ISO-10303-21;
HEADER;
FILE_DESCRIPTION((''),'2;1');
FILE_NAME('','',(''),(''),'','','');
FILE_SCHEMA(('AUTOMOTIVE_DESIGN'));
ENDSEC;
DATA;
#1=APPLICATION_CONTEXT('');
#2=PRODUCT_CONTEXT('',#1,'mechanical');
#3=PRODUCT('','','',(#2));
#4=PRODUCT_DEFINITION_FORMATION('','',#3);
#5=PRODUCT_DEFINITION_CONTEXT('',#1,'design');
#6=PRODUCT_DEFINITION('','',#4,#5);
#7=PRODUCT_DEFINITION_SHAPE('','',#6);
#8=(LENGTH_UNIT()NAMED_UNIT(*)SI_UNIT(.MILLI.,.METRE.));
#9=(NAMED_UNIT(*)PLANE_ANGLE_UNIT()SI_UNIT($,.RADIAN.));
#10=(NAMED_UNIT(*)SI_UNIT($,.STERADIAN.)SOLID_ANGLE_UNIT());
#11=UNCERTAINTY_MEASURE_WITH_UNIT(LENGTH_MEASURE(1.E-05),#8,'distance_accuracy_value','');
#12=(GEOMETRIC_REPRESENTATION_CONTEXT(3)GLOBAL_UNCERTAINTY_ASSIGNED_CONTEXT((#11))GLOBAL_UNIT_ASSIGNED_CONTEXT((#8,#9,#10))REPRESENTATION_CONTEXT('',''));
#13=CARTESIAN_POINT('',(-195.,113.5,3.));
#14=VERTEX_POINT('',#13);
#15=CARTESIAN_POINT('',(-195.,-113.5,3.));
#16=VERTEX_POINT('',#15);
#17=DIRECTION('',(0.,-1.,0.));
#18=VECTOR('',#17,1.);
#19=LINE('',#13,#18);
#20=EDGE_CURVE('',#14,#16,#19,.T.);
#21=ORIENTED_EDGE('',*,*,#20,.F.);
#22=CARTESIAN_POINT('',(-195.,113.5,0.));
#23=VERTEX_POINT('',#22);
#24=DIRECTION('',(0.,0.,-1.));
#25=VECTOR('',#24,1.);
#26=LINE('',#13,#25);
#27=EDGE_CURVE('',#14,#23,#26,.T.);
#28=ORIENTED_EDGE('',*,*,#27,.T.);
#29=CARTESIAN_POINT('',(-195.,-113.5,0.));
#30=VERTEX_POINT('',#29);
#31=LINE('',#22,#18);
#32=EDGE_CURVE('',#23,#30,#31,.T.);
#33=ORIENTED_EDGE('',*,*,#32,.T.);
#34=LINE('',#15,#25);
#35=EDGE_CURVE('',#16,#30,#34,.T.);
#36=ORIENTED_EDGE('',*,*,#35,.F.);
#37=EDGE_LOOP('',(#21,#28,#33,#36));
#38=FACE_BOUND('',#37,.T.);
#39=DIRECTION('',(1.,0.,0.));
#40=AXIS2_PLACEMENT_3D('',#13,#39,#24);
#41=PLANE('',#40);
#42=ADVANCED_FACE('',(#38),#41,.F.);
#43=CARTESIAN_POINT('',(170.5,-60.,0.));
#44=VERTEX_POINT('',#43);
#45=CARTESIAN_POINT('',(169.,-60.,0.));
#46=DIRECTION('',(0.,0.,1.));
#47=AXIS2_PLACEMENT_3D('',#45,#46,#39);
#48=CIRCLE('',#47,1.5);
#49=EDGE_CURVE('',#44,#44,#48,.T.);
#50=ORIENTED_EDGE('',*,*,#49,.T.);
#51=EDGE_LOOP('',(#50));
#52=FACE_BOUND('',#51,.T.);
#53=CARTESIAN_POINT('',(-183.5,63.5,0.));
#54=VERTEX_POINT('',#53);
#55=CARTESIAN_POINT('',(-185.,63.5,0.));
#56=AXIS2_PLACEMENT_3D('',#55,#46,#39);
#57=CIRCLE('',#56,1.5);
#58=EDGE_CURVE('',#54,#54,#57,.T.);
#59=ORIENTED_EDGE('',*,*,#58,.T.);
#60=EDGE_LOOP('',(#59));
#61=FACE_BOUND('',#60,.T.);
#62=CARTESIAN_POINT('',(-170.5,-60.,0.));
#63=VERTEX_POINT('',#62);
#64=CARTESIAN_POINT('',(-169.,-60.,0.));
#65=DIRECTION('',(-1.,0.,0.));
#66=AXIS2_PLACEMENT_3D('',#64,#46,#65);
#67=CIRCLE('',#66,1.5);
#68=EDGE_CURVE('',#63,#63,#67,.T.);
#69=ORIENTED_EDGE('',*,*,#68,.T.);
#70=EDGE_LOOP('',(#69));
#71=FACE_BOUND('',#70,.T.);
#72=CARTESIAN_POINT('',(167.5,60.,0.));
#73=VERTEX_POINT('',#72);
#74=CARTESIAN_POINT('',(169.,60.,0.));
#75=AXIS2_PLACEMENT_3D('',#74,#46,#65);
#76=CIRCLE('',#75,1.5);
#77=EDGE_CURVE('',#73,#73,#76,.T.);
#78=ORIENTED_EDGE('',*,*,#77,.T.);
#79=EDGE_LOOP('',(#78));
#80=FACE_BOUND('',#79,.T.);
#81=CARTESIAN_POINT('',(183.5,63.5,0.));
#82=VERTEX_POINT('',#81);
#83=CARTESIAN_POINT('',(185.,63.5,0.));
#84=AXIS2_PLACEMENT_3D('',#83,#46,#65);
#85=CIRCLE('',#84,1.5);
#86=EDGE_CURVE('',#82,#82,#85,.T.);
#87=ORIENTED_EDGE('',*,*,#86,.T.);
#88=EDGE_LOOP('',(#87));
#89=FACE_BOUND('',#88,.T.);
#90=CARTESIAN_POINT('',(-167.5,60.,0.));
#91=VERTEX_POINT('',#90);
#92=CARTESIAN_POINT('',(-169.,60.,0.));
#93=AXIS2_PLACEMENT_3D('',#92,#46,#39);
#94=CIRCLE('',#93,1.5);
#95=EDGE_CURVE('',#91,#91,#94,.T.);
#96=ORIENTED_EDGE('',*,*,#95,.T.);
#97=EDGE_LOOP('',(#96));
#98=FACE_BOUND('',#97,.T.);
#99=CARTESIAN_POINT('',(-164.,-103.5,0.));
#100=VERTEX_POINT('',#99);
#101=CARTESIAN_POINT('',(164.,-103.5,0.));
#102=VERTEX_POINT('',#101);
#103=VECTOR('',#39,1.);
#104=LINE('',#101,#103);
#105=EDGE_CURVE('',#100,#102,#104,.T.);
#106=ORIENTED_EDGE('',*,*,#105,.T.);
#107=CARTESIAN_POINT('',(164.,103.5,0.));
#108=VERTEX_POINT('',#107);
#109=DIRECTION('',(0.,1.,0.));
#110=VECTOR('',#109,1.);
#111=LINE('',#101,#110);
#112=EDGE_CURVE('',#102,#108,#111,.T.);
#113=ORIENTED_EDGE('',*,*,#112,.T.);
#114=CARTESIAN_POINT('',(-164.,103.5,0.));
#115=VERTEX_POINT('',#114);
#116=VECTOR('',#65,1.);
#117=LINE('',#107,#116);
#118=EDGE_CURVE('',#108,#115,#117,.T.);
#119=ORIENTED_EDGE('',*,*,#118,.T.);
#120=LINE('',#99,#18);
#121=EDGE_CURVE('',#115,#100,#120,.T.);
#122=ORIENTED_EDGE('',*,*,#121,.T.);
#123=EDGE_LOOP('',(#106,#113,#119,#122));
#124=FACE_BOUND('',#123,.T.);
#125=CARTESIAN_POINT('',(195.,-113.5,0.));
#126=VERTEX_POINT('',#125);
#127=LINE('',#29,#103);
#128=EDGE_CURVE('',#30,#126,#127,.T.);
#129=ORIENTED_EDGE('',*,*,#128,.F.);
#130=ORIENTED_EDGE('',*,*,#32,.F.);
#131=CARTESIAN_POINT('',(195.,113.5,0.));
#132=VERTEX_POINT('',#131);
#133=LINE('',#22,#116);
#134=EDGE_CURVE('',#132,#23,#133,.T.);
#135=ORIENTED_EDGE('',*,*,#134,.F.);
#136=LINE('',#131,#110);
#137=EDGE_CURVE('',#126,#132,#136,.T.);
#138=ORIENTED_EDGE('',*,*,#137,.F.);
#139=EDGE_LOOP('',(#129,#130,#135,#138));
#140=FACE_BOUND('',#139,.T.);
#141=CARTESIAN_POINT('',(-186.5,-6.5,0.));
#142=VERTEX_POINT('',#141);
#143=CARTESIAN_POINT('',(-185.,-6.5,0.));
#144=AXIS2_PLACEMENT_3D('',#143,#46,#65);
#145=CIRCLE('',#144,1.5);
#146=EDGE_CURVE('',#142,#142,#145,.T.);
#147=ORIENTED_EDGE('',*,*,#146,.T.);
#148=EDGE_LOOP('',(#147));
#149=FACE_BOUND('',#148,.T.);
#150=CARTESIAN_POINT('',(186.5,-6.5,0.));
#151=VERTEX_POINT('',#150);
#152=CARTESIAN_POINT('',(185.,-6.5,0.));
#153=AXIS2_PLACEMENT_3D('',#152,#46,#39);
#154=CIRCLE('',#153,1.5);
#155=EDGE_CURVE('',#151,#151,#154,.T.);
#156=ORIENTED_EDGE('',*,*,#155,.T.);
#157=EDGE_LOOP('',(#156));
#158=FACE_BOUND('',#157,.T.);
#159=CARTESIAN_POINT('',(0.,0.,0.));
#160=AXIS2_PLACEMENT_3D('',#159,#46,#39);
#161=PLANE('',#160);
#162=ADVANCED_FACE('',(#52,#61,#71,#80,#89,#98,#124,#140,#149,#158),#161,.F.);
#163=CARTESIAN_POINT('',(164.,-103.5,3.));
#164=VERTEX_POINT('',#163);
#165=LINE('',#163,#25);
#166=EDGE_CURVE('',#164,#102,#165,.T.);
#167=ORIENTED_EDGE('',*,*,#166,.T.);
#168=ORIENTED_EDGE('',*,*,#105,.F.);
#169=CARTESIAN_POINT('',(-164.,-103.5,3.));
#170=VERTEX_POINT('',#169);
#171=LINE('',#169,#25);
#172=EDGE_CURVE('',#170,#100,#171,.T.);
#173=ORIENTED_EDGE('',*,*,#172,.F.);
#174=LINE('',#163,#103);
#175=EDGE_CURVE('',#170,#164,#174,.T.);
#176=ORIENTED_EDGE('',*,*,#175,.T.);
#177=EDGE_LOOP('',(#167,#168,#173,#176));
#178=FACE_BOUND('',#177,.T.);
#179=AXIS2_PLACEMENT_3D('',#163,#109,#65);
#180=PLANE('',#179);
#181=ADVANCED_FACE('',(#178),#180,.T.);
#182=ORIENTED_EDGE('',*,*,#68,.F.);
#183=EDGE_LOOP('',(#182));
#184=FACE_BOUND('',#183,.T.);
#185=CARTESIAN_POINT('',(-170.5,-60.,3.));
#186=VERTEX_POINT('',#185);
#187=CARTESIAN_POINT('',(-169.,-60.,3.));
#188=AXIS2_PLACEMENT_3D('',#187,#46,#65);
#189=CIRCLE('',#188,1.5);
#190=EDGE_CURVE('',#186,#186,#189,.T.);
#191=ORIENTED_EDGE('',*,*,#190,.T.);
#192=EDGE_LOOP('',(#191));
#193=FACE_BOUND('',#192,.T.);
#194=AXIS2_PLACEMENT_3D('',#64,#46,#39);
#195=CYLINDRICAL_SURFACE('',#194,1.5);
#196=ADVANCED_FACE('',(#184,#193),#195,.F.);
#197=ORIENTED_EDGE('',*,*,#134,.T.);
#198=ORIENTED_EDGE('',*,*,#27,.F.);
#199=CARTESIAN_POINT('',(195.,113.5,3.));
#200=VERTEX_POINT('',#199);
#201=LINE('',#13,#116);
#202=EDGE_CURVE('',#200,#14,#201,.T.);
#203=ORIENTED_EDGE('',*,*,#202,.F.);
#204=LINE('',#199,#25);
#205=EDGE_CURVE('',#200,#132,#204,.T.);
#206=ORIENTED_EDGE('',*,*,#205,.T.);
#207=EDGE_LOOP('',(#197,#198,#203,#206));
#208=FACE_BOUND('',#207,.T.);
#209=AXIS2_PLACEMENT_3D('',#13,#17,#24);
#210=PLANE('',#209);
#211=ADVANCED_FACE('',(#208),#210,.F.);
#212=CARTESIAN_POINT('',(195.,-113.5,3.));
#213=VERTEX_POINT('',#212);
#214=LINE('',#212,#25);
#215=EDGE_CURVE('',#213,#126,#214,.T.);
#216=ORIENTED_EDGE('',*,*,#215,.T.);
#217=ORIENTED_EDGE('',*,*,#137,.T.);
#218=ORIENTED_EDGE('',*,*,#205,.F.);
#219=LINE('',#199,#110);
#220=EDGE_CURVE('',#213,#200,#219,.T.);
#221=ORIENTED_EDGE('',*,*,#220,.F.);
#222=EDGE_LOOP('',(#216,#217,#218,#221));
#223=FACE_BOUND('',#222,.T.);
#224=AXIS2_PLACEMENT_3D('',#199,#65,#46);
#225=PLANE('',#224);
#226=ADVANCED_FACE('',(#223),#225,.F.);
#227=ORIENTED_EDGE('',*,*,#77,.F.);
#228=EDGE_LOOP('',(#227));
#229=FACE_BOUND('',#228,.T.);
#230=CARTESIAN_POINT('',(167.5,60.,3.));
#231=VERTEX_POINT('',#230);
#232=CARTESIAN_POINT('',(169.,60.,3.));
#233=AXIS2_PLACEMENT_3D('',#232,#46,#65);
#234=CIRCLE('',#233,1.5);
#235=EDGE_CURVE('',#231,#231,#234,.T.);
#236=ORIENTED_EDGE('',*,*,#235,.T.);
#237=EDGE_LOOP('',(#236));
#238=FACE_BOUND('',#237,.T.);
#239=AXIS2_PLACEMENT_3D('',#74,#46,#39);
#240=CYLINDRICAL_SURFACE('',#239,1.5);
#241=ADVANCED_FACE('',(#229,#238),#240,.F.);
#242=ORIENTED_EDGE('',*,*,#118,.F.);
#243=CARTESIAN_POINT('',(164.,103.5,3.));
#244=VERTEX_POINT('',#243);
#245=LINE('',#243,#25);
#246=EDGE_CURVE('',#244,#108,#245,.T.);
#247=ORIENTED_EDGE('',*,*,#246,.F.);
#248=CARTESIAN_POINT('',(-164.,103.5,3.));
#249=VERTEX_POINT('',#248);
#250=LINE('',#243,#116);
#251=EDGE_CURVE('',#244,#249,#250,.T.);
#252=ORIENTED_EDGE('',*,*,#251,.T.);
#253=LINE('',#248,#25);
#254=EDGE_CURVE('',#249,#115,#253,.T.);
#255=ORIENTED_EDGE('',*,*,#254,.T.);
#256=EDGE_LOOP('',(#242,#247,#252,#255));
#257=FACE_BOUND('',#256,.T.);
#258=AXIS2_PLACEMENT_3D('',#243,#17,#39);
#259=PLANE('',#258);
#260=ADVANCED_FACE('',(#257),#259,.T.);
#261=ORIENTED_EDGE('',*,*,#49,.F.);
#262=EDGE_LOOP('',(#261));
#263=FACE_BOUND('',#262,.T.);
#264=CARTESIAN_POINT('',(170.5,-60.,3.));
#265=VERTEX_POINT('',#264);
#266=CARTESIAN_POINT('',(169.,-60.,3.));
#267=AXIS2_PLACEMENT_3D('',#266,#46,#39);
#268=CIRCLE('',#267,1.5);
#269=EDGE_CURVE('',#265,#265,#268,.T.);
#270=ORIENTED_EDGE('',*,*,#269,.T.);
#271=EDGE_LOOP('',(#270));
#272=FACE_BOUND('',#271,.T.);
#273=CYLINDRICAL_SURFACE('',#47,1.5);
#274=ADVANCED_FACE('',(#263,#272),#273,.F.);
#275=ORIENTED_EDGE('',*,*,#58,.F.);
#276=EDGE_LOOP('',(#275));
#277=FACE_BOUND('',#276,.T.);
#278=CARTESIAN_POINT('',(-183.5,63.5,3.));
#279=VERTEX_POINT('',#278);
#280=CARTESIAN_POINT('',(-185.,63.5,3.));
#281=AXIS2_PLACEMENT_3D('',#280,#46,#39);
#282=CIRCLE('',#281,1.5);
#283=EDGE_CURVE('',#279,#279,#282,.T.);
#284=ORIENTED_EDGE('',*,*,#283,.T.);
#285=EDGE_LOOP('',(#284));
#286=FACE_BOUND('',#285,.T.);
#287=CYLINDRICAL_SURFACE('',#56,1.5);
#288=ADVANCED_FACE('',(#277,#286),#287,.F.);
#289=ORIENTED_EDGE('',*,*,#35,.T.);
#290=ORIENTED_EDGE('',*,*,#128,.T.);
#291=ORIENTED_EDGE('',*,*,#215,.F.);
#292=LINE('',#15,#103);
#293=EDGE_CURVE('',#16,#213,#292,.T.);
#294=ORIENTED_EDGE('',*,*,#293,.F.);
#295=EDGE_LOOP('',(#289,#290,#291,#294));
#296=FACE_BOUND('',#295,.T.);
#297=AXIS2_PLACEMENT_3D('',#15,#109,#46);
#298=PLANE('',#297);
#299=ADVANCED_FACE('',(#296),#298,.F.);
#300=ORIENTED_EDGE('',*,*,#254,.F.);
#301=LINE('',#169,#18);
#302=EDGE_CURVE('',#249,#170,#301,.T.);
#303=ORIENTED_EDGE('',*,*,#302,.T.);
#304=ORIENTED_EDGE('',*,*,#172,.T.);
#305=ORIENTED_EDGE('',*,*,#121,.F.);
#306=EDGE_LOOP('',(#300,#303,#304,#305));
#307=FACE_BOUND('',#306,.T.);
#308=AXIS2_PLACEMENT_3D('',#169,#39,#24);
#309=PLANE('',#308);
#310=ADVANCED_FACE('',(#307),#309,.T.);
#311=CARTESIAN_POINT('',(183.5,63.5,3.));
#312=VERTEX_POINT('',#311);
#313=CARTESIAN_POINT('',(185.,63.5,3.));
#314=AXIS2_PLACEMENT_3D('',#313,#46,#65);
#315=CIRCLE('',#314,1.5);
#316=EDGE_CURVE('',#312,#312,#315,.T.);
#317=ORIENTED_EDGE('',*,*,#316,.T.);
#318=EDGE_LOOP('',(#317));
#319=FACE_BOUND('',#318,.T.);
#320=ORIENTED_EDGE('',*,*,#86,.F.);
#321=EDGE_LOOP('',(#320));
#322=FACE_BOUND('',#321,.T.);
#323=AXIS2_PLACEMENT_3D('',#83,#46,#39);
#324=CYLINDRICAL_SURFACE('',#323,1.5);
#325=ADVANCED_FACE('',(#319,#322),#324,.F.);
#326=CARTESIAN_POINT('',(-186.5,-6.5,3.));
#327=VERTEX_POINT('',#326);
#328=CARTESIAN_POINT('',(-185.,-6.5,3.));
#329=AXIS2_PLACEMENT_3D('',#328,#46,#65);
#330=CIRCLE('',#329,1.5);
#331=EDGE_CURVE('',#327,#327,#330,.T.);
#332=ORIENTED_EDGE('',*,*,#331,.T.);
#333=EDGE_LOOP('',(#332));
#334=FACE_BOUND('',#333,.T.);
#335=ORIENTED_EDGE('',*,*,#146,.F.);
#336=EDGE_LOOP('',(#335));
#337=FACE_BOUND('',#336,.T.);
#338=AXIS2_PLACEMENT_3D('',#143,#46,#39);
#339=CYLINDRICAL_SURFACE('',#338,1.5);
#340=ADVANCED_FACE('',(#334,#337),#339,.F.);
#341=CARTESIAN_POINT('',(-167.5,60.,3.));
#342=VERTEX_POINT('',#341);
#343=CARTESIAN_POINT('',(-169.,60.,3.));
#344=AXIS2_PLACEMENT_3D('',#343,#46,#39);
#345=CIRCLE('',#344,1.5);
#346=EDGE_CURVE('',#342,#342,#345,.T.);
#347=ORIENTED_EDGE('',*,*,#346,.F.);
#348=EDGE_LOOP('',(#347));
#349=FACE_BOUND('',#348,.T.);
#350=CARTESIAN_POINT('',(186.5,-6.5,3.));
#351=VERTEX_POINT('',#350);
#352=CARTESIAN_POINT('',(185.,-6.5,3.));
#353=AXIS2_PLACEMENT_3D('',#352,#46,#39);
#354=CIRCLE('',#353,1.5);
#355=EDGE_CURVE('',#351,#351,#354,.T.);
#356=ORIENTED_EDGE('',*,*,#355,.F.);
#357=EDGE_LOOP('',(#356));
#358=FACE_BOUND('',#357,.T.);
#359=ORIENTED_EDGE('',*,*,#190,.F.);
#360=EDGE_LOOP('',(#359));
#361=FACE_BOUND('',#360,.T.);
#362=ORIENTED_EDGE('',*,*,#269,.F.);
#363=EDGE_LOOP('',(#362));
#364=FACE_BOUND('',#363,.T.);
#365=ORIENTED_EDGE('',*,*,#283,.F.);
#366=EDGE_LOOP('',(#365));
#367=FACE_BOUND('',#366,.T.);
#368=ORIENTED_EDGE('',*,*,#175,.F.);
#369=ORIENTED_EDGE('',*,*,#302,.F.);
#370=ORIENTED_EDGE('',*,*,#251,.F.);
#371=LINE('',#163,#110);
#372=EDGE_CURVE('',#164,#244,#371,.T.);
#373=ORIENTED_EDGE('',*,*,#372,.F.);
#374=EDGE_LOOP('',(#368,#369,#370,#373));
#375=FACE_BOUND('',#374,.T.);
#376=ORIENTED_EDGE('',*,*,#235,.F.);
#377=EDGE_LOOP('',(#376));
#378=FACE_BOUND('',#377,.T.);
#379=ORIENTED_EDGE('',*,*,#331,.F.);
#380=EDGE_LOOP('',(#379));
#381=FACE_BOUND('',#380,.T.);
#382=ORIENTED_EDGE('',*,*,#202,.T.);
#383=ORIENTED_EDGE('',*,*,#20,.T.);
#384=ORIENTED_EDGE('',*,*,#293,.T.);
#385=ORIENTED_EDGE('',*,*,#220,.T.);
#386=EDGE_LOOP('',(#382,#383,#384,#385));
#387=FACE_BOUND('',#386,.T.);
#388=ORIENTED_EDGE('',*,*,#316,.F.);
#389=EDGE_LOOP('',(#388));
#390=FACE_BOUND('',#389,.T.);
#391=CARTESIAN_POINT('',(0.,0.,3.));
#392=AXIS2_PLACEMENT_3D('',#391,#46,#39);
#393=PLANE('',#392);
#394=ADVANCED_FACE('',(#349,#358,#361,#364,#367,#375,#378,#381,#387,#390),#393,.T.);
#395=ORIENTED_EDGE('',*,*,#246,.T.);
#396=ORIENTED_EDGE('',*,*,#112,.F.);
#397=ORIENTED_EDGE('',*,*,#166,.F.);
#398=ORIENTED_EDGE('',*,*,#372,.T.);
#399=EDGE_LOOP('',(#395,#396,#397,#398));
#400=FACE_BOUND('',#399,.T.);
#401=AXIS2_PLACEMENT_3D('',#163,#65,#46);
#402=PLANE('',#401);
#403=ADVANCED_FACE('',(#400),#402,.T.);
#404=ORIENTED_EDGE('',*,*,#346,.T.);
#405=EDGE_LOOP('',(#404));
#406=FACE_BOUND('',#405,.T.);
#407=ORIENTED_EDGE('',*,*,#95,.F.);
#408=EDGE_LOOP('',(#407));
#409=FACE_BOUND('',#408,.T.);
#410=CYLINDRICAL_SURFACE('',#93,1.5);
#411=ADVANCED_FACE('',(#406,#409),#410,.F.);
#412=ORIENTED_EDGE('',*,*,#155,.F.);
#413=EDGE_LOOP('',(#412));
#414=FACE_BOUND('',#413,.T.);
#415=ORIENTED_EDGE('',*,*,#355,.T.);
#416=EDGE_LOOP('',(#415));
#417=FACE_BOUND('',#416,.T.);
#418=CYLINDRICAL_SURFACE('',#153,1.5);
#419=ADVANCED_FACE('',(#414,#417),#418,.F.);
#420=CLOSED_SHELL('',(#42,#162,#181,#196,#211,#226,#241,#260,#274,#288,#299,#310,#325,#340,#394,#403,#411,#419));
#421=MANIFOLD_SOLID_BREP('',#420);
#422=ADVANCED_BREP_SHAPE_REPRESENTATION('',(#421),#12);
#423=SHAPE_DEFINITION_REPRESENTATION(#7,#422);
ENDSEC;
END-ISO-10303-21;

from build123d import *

# Parameters (mm, degrees)
SKETCH1_W           = 390
SKETCH1_H           = 227
SKETCH1_W_2         = 328
SKETCH1_H_2         = 207
BOSS_EXTRUDE1_DEPTH = 3
SKETCH2_R           = 1.5
CUT_EXTRUDE1_DEPTH  = 4
SKETCH3_R           = 1.5
CUT_EXTRUDE2_DEPTH  = 4


with BuildPart() as part:
    # Sketch1 → Boss-Extrude1 (new body)
    with BuildSketch(Plane.XY):
        Rectangle(SKETCH1_W, SKETCH1_H)
        Rectangle(SKETCH1_W_2, SKETCH1_H_2, mode=Mode.SUBTRACT)
    extrude(amount=BOSS_EXTRUDE1_DEPTH)

    # Sketch2 → Cut-Extrude1 (cut, through all)
    with BuildSketch(Plane.XY.offset(3)):
        with Locations((-185, 63.5)):
            Circle(SKETCH2_R)
        with Locations((-185, -6.5)):
            Circle(SKETCH2_R)
        with Locations((185, -6.5)):
            Circle(SKETCH2_R)
        with Locations((185, 63.5)):
            Circle(SKETCH2_R)
    extrude(amount=-CUT_EXTRUDE1_DEPTH, mode=Mode.SUBTRACT)

    # Sketch3 → Cut-Extrude2 (cut, through all)
    with BuildSketch(Plane.XY.offset(3)):
        with Locations((-169, 60)):
            Circle(SKETCH3_R)
        with Locations((-169, -60)):
            Circle(SKETCH3_R)
        with Locations((169, -60)):
            Circle(SKETCH3_R)
        with Locations((169, 60)):
            Circle(SKETCH3_R)
    extrude(amount=-CUT_EXTRUDE2_DEPTH, mode=Mode.SUBTRACT)


solid = part.part
